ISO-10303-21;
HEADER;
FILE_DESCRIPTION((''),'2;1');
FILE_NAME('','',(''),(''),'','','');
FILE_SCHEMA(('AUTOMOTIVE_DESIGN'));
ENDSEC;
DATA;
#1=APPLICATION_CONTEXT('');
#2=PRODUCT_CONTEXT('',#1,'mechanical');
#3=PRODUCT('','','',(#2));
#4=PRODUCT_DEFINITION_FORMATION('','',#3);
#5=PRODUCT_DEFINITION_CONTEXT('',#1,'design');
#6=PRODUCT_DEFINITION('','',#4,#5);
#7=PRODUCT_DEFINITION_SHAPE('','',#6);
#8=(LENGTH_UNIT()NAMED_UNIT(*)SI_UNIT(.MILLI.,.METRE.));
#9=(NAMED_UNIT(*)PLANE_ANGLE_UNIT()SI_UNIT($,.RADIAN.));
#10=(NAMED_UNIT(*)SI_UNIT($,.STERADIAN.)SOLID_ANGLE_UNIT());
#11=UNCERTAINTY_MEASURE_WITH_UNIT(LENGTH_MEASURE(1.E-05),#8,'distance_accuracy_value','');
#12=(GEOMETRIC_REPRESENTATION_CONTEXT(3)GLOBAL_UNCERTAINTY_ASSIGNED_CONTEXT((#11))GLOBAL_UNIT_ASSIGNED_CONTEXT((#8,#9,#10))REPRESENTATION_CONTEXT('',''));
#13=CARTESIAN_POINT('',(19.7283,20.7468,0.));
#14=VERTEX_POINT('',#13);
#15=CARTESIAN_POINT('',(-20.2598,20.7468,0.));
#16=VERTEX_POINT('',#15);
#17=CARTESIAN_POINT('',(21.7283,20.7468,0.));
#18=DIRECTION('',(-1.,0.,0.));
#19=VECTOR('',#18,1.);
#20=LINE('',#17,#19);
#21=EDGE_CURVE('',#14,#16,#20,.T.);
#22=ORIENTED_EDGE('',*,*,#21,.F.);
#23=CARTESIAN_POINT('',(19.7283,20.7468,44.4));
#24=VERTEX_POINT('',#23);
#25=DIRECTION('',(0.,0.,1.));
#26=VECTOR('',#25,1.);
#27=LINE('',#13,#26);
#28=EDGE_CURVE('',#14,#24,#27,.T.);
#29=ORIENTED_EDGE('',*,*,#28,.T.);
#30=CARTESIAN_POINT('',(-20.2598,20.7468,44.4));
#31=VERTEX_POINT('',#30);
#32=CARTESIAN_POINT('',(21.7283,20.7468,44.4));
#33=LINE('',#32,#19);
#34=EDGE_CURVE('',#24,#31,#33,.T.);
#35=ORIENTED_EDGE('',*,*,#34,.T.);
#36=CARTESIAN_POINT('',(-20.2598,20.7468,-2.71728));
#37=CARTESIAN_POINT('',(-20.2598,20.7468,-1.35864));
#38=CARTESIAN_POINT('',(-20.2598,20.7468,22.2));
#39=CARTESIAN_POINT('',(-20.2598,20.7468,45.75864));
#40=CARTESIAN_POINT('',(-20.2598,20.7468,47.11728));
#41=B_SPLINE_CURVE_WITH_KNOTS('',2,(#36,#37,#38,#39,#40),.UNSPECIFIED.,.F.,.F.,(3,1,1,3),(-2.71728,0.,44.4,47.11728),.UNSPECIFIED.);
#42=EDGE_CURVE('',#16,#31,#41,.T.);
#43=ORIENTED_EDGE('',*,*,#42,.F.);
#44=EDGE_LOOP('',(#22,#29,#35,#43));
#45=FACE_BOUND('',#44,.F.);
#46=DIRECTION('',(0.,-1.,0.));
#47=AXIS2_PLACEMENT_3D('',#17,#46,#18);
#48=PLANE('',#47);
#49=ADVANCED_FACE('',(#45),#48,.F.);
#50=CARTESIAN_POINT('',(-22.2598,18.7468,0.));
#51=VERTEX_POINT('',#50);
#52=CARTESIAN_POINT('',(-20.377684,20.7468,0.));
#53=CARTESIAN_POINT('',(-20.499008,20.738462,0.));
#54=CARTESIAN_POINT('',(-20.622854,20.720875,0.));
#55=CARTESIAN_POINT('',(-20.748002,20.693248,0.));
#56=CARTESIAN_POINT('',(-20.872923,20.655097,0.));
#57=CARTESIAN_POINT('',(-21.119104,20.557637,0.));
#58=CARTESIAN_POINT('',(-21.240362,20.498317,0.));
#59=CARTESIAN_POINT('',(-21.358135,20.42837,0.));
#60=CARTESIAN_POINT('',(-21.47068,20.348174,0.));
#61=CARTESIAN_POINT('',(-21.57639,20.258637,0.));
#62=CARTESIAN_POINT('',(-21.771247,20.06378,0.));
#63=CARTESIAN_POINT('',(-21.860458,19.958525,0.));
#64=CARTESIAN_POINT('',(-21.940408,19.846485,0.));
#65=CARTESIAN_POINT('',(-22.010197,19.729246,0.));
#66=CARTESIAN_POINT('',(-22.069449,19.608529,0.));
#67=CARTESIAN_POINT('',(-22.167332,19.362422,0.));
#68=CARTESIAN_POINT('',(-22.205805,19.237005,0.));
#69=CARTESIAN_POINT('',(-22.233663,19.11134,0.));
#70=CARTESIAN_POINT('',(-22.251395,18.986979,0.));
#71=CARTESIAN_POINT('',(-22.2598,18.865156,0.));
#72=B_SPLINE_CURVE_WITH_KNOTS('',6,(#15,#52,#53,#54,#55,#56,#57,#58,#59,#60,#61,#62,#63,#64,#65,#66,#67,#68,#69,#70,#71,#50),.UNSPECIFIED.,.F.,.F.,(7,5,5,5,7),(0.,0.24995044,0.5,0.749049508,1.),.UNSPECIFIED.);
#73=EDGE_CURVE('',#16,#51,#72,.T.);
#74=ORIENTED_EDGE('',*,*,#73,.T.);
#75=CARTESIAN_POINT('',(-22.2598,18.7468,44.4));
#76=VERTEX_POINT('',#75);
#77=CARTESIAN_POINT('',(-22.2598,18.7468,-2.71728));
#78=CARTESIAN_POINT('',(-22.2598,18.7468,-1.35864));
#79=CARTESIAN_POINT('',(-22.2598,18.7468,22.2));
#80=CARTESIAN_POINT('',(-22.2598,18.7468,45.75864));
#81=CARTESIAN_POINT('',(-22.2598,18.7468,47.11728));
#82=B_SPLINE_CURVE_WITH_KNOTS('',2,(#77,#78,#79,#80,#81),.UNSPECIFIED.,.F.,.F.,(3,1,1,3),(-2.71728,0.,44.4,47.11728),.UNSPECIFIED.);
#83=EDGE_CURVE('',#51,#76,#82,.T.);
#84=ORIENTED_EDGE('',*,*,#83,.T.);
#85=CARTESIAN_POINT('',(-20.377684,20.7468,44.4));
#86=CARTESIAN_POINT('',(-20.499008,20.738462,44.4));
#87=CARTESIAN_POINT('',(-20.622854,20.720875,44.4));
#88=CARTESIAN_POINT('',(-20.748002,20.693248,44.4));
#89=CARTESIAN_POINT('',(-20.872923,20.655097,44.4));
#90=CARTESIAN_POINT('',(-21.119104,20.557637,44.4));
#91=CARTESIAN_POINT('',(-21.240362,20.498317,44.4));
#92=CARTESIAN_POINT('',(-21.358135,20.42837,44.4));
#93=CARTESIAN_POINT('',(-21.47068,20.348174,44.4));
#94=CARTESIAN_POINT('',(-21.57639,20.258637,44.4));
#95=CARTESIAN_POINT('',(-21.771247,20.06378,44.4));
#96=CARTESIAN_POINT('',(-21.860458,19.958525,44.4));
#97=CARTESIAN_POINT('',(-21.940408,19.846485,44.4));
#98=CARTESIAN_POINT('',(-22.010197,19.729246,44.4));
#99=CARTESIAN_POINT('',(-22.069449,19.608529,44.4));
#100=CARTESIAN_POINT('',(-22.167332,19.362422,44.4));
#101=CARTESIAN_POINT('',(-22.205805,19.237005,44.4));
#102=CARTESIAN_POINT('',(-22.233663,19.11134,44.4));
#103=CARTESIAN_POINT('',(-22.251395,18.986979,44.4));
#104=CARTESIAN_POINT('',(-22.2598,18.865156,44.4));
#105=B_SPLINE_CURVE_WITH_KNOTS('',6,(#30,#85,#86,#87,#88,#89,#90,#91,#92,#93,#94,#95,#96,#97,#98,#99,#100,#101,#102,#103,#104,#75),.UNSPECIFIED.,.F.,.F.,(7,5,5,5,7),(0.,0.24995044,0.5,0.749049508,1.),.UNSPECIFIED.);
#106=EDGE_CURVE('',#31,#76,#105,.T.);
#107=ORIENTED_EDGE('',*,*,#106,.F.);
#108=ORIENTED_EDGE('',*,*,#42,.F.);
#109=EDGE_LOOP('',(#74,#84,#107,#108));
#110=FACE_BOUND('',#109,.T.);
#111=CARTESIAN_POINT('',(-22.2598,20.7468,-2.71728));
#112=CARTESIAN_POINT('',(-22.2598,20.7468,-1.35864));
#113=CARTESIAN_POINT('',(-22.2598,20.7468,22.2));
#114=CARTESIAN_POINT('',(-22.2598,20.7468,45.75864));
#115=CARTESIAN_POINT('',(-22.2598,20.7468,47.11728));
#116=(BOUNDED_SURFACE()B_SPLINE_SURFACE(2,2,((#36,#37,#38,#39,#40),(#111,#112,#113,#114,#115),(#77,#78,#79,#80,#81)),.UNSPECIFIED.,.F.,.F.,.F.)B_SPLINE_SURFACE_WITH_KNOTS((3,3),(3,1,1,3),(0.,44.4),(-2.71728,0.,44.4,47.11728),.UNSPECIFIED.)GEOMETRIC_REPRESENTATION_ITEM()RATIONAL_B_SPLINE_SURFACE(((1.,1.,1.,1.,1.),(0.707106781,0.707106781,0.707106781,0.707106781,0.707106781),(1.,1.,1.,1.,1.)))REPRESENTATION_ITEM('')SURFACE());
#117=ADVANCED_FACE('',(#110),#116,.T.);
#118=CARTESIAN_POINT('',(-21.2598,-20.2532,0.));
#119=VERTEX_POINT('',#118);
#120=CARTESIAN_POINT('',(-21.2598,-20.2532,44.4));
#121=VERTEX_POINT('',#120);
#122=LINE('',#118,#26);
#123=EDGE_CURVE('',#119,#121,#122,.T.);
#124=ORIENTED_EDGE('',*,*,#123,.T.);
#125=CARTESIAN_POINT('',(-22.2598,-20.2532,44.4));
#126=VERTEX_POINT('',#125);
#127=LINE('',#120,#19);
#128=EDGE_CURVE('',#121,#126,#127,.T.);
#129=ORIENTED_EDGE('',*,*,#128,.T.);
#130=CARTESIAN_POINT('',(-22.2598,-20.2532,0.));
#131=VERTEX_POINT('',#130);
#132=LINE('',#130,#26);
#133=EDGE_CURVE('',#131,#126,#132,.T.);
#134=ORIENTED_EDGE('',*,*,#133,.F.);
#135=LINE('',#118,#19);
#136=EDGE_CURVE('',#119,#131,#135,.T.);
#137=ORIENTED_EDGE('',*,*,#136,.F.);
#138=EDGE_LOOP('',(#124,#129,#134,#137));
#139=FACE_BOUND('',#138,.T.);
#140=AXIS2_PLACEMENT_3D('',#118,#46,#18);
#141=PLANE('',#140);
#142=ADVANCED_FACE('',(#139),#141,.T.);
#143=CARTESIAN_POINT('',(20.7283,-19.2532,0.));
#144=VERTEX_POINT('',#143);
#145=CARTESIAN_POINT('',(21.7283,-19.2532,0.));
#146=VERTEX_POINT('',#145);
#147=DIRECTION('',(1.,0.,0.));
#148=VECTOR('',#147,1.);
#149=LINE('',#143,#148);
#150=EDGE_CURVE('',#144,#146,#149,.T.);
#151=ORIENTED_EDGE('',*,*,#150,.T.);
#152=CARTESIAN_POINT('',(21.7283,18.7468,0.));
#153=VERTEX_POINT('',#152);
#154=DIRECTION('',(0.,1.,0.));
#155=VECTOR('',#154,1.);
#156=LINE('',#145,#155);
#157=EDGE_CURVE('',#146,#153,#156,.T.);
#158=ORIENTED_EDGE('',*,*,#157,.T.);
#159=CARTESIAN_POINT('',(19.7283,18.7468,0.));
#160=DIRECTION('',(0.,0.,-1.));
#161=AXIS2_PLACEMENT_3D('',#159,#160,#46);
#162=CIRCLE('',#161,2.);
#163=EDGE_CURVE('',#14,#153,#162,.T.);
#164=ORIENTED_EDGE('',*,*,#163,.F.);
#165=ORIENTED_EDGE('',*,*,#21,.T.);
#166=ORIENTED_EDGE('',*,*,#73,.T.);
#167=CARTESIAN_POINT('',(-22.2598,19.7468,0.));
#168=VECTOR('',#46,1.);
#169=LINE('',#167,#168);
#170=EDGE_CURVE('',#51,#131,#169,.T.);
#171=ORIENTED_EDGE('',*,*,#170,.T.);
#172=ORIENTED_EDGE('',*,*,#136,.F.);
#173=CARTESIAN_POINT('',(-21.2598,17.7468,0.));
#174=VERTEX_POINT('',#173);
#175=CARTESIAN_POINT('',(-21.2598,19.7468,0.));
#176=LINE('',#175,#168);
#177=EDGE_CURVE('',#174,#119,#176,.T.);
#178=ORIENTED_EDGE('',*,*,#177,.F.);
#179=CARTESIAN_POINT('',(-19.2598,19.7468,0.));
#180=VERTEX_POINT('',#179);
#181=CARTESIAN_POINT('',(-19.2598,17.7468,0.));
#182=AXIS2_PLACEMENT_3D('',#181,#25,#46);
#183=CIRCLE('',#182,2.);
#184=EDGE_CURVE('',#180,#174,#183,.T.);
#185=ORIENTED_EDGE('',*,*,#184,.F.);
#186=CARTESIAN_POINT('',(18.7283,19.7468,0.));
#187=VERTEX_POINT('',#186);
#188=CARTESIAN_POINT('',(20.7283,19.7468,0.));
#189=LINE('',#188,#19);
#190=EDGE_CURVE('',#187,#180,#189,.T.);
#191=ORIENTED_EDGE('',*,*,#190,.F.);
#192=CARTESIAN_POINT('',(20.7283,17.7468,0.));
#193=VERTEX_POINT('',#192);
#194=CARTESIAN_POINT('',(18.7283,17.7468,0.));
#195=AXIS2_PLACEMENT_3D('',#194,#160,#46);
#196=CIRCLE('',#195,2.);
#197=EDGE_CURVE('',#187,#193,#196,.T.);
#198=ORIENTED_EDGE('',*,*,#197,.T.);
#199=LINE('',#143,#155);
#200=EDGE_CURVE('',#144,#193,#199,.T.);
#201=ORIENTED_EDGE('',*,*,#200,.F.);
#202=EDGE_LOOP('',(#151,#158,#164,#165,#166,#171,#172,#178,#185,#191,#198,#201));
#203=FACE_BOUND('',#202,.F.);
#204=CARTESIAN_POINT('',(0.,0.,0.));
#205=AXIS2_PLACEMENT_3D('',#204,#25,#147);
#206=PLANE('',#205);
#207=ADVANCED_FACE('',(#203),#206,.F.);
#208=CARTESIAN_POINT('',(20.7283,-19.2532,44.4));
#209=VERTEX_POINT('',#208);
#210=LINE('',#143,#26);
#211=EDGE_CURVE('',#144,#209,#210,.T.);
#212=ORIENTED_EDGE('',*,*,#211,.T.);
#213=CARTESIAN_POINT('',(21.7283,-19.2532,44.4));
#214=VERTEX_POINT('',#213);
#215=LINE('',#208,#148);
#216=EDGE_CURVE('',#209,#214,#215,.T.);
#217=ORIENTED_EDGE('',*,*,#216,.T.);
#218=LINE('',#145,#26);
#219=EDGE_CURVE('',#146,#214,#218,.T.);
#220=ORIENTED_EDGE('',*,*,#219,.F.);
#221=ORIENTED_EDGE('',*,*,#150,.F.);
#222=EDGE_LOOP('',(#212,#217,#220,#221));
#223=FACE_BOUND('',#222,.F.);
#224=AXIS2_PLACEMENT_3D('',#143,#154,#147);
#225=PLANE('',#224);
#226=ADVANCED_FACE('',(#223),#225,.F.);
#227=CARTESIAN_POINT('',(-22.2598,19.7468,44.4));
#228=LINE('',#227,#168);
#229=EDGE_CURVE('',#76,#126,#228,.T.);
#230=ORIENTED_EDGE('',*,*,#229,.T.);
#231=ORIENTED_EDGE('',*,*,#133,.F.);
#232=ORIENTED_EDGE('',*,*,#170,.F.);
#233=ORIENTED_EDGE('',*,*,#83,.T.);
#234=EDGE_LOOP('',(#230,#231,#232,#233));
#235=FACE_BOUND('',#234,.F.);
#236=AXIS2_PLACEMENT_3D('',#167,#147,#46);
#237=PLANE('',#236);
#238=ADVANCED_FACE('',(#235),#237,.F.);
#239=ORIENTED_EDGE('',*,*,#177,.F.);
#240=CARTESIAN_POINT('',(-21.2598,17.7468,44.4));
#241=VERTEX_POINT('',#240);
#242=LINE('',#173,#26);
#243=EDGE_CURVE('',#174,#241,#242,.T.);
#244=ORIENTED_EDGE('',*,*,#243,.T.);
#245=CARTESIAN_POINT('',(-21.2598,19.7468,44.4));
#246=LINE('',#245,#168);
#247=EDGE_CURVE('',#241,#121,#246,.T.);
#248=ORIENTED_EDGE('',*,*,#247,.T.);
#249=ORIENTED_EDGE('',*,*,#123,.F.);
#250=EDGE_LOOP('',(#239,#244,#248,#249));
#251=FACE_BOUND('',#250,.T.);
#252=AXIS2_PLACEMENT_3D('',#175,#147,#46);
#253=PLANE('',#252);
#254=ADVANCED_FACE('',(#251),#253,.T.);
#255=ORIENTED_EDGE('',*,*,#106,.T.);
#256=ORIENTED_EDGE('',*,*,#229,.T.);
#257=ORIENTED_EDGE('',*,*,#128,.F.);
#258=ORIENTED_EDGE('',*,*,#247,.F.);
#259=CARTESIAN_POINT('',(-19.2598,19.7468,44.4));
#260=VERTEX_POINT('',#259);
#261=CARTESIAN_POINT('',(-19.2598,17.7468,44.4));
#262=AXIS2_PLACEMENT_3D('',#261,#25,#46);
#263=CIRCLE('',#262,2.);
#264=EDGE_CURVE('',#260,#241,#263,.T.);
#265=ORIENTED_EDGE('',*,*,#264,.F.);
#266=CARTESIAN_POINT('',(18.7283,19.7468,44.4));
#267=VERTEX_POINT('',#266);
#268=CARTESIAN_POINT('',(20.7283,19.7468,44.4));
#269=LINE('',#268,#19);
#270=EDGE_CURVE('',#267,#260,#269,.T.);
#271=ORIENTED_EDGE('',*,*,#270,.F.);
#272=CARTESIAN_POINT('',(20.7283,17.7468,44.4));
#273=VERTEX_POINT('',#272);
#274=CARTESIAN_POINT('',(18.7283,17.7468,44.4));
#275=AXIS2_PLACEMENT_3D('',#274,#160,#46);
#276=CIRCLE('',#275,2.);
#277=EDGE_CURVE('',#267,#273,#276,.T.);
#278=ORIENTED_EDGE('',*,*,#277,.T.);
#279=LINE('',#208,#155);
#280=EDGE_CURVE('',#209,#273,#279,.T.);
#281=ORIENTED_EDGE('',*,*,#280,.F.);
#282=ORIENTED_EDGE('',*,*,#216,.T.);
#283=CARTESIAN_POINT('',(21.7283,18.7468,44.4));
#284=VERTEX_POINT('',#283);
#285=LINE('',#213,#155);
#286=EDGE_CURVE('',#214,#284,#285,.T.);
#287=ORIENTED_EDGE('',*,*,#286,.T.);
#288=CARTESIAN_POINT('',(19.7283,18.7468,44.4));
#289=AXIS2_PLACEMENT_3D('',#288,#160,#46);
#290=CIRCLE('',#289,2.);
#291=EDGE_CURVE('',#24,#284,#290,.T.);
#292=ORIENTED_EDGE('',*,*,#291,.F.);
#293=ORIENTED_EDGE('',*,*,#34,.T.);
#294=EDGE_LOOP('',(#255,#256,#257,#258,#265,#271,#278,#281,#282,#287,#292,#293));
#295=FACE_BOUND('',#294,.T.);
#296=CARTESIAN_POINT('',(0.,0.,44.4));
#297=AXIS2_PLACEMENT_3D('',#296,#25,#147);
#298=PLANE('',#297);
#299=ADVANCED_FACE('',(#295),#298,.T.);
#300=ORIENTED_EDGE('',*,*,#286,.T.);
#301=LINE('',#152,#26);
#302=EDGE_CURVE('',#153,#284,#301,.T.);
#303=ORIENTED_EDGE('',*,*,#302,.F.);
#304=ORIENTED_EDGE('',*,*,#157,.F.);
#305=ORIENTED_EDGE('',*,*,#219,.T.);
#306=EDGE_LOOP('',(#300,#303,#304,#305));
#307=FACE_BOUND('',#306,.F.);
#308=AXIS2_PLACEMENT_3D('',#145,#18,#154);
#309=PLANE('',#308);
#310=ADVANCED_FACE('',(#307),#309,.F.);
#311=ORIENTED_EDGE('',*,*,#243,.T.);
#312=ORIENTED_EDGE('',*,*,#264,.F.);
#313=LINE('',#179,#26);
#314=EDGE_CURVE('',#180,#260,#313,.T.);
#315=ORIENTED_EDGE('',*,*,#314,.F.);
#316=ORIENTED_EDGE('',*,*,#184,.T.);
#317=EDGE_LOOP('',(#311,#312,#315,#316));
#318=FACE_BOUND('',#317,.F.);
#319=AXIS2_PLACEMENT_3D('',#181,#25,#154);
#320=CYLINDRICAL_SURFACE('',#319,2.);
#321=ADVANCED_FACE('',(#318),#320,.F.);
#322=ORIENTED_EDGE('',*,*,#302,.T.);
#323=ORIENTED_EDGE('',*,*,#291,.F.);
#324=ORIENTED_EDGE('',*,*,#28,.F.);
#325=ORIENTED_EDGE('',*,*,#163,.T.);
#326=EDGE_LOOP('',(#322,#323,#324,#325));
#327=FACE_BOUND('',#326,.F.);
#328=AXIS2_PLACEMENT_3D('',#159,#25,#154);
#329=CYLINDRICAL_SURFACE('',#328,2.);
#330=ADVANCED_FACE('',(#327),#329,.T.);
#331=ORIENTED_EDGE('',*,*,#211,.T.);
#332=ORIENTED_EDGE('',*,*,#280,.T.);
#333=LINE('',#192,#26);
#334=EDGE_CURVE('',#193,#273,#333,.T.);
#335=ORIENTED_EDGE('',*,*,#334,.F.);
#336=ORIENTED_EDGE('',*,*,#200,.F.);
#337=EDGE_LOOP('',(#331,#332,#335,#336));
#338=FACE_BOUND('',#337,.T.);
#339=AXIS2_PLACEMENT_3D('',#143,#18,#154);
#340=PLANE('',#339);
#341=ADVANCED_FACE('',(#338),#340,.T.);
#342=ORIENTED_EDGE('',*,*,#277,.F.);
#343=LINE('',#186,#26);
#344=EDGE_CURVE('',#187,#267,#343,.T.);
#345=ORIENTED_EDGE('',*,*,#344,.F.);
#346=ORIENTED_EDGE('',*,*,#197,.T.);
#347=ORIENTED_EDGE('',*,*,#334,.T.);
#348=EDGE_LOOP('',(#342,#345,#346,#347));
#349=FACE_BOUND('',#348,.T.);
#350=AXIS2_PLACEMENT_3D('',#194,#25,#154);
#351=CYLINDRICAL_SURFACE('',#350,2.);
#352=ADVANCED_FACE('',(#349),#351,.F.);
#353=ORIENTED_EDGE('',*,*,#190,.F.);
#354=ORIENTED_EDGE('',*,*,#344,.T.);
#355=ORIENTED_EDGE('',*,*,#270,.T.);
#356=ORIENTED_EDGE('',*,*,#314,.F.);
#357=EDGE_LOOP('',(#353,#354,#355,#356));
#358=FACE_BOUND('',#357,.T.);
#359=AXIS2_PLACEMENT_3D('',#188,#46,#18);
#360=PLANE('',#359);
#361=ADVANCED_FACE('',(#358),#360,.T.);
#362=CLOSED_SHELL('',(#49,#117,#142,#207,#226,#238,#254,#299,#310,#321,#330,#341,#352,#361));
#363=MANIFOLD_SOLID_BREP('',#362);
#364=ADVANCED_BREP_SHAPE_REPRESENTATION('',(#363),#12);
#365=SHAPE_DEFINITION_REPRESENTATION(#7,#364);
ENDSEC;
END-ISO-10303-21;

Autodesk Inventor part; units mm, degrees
ref_plane "YZ Plane" through (0, 0, 0) normal (1, 0, 0) x (0, 1, 0)
ref_plane "XZ Plane" through (0, 0, 0) normal (0, 1, 0) x (-1, 0, 0)
ref_plane "XY Plane" through (0, 0, 0) normal (0, 0, 1) x (1, 0, 0)
sketch "cover" plane through (0, 0, 0) normal (0, 0, 1) x (1, 0, 0)
  line L0 (20.7283, -19.2532) -> (20.7283, 19.7468)
  line L1 (20.7283, 19.7468) -> (-21.2598, 19.7468)
  line L2 (-21.2598, 19.7468) -> (-21.2598, -20.2532)
  line L3 (-21.2598, -20.2532) -> (20.7283, 19.7468) construction
  line L4 (20.7283, -19.2532) -> (-21.2598, 19.7468) construction
  line L5 (21.7283, -19.2532) -> (21.7283, 20.7468)
  line L6 (21.7283, 20.7468) -> (-22.2598, 20.7468)
  line L7 (-22.2598, 20.7468) -> (-22.2598, 19.7468)
  line L8 (-22.2598, 19.7468) -> (-22.2598, -20.2532)
  line L9 (-21.2598, -20.2532) -> (-22.2598, -20.2532)
  line L10 (20.7283, -19.2532) -> (21.7283, -19.2532)
  point P0 (0, 0)
  dimension "d56" = 42
  dimension "d57" = 40
  dimension "d92" = 1
  dimension "d95" = 1
  dimension "d100" = 1
extrude "Extrusion8" add sketch "cover" along normal blind 44.4
fillet "Fillet5" radius 2 1 edges at (-21.2598, 19.7468, 22.2)
fillet "Fillet6" radius 2 1 edges at (20.7283, 19.7468, 22.2)
fillet "Fillet7" radius 2 1 edges at (-22.2598, 20.7468, 22.2)
fillet "Fillet8" radius 2 1 edges at (21.7283, 20.7468, 22.2)
equation "\"d56\" = wallw"
equation "\"d57\" = wallh - base_slots_depth"
equation "\"d92\" = 0.5 * baseextra"
equation "\"d95\" = d92"
equation "\"d100\" = d92"
equation "\"d93\" = wall1_thick + gap1 + wall2_thick"
equation "\"d96\" = cornerrad"
equation "\"d97\" = cornerrad"
equation "\"d98\" = cornerrad"
equation "\"d99\" = cornerrad"
equation "\"printer3dtolerance\" = 0.12"
equation "\"wallw\" = 42"
equation "\"wallh\" = 44"
equation "\"cornerrad\" = 2"
equation "\"baseextra\" = 2"
equation "\"wall1_thick\" = 8"
equation "\"wall2_thick\" = 6.4"
equation "\"wall3_thick\" = 4"
equation "\"wall1slot\" = 8.12"
equation "\"wall2slot\" = 6.52"
equation "\"wall3slot\" = 4.12"
equation "\"gap1\" = 30"
equation "\"gap2\" = 28"
equation "\"baseh\" = 79.12"
equation "\"basew\" = 44"
equation "\"base_thick\" = 6"
equation "\"base_slots_depth\" = 4"
equation "\"d26\" = 8.12"
equation "\"d27\" = 42"
equation "\"d28\" = 44"
equation "\"d29\" = 28"
equation "\"d31\" = 4.12"
equation "\"d32\" = 6.52"
equation "\"d33\" = 79.12"
equation "\"d39\" = 8.12"
equation "\"d40\" = 42"
equation "\"d41\" = 44"
equation "\"d48\" = 8.12"
equation "\"d49\" = 42"
equation "\"d50\" = 8.12"
equation "\"d51\" = 42"
equation "\"d52\" = 44"
equation "\"d53\" = 44"
equation "\"d71\" = 8.12"
equation "\"d72\" = 42"
equation "\"d73\" = 2"
equation "\"d74\" = 44"
equation "\"distancefrombottom\" = 34"
equation "\"servosmallcircledia\" = 5.92"
equation "\"servo9gw\" = 22.8"
equation "\"servomountsquare\" = 6"
equation "\"servopolygonl\" = 5.92"
equation "\"servopolygonr\" = 6.12"
equation "\"distancefromleft\" = 26"
equation "\"servobigcircledia\" = 11.62"
equation "\"servomounth\" = 4"
equation "\"wall3slotd\" = 2"
equation "\"wall3slotw\" = 36"
equation "\"adapterh\" = 16"
equation "\"adapterw\" = 32"
equation "\"wall3slotd_1\" = 2"
properties part number "back-cover" material "Wood (Oak)"
